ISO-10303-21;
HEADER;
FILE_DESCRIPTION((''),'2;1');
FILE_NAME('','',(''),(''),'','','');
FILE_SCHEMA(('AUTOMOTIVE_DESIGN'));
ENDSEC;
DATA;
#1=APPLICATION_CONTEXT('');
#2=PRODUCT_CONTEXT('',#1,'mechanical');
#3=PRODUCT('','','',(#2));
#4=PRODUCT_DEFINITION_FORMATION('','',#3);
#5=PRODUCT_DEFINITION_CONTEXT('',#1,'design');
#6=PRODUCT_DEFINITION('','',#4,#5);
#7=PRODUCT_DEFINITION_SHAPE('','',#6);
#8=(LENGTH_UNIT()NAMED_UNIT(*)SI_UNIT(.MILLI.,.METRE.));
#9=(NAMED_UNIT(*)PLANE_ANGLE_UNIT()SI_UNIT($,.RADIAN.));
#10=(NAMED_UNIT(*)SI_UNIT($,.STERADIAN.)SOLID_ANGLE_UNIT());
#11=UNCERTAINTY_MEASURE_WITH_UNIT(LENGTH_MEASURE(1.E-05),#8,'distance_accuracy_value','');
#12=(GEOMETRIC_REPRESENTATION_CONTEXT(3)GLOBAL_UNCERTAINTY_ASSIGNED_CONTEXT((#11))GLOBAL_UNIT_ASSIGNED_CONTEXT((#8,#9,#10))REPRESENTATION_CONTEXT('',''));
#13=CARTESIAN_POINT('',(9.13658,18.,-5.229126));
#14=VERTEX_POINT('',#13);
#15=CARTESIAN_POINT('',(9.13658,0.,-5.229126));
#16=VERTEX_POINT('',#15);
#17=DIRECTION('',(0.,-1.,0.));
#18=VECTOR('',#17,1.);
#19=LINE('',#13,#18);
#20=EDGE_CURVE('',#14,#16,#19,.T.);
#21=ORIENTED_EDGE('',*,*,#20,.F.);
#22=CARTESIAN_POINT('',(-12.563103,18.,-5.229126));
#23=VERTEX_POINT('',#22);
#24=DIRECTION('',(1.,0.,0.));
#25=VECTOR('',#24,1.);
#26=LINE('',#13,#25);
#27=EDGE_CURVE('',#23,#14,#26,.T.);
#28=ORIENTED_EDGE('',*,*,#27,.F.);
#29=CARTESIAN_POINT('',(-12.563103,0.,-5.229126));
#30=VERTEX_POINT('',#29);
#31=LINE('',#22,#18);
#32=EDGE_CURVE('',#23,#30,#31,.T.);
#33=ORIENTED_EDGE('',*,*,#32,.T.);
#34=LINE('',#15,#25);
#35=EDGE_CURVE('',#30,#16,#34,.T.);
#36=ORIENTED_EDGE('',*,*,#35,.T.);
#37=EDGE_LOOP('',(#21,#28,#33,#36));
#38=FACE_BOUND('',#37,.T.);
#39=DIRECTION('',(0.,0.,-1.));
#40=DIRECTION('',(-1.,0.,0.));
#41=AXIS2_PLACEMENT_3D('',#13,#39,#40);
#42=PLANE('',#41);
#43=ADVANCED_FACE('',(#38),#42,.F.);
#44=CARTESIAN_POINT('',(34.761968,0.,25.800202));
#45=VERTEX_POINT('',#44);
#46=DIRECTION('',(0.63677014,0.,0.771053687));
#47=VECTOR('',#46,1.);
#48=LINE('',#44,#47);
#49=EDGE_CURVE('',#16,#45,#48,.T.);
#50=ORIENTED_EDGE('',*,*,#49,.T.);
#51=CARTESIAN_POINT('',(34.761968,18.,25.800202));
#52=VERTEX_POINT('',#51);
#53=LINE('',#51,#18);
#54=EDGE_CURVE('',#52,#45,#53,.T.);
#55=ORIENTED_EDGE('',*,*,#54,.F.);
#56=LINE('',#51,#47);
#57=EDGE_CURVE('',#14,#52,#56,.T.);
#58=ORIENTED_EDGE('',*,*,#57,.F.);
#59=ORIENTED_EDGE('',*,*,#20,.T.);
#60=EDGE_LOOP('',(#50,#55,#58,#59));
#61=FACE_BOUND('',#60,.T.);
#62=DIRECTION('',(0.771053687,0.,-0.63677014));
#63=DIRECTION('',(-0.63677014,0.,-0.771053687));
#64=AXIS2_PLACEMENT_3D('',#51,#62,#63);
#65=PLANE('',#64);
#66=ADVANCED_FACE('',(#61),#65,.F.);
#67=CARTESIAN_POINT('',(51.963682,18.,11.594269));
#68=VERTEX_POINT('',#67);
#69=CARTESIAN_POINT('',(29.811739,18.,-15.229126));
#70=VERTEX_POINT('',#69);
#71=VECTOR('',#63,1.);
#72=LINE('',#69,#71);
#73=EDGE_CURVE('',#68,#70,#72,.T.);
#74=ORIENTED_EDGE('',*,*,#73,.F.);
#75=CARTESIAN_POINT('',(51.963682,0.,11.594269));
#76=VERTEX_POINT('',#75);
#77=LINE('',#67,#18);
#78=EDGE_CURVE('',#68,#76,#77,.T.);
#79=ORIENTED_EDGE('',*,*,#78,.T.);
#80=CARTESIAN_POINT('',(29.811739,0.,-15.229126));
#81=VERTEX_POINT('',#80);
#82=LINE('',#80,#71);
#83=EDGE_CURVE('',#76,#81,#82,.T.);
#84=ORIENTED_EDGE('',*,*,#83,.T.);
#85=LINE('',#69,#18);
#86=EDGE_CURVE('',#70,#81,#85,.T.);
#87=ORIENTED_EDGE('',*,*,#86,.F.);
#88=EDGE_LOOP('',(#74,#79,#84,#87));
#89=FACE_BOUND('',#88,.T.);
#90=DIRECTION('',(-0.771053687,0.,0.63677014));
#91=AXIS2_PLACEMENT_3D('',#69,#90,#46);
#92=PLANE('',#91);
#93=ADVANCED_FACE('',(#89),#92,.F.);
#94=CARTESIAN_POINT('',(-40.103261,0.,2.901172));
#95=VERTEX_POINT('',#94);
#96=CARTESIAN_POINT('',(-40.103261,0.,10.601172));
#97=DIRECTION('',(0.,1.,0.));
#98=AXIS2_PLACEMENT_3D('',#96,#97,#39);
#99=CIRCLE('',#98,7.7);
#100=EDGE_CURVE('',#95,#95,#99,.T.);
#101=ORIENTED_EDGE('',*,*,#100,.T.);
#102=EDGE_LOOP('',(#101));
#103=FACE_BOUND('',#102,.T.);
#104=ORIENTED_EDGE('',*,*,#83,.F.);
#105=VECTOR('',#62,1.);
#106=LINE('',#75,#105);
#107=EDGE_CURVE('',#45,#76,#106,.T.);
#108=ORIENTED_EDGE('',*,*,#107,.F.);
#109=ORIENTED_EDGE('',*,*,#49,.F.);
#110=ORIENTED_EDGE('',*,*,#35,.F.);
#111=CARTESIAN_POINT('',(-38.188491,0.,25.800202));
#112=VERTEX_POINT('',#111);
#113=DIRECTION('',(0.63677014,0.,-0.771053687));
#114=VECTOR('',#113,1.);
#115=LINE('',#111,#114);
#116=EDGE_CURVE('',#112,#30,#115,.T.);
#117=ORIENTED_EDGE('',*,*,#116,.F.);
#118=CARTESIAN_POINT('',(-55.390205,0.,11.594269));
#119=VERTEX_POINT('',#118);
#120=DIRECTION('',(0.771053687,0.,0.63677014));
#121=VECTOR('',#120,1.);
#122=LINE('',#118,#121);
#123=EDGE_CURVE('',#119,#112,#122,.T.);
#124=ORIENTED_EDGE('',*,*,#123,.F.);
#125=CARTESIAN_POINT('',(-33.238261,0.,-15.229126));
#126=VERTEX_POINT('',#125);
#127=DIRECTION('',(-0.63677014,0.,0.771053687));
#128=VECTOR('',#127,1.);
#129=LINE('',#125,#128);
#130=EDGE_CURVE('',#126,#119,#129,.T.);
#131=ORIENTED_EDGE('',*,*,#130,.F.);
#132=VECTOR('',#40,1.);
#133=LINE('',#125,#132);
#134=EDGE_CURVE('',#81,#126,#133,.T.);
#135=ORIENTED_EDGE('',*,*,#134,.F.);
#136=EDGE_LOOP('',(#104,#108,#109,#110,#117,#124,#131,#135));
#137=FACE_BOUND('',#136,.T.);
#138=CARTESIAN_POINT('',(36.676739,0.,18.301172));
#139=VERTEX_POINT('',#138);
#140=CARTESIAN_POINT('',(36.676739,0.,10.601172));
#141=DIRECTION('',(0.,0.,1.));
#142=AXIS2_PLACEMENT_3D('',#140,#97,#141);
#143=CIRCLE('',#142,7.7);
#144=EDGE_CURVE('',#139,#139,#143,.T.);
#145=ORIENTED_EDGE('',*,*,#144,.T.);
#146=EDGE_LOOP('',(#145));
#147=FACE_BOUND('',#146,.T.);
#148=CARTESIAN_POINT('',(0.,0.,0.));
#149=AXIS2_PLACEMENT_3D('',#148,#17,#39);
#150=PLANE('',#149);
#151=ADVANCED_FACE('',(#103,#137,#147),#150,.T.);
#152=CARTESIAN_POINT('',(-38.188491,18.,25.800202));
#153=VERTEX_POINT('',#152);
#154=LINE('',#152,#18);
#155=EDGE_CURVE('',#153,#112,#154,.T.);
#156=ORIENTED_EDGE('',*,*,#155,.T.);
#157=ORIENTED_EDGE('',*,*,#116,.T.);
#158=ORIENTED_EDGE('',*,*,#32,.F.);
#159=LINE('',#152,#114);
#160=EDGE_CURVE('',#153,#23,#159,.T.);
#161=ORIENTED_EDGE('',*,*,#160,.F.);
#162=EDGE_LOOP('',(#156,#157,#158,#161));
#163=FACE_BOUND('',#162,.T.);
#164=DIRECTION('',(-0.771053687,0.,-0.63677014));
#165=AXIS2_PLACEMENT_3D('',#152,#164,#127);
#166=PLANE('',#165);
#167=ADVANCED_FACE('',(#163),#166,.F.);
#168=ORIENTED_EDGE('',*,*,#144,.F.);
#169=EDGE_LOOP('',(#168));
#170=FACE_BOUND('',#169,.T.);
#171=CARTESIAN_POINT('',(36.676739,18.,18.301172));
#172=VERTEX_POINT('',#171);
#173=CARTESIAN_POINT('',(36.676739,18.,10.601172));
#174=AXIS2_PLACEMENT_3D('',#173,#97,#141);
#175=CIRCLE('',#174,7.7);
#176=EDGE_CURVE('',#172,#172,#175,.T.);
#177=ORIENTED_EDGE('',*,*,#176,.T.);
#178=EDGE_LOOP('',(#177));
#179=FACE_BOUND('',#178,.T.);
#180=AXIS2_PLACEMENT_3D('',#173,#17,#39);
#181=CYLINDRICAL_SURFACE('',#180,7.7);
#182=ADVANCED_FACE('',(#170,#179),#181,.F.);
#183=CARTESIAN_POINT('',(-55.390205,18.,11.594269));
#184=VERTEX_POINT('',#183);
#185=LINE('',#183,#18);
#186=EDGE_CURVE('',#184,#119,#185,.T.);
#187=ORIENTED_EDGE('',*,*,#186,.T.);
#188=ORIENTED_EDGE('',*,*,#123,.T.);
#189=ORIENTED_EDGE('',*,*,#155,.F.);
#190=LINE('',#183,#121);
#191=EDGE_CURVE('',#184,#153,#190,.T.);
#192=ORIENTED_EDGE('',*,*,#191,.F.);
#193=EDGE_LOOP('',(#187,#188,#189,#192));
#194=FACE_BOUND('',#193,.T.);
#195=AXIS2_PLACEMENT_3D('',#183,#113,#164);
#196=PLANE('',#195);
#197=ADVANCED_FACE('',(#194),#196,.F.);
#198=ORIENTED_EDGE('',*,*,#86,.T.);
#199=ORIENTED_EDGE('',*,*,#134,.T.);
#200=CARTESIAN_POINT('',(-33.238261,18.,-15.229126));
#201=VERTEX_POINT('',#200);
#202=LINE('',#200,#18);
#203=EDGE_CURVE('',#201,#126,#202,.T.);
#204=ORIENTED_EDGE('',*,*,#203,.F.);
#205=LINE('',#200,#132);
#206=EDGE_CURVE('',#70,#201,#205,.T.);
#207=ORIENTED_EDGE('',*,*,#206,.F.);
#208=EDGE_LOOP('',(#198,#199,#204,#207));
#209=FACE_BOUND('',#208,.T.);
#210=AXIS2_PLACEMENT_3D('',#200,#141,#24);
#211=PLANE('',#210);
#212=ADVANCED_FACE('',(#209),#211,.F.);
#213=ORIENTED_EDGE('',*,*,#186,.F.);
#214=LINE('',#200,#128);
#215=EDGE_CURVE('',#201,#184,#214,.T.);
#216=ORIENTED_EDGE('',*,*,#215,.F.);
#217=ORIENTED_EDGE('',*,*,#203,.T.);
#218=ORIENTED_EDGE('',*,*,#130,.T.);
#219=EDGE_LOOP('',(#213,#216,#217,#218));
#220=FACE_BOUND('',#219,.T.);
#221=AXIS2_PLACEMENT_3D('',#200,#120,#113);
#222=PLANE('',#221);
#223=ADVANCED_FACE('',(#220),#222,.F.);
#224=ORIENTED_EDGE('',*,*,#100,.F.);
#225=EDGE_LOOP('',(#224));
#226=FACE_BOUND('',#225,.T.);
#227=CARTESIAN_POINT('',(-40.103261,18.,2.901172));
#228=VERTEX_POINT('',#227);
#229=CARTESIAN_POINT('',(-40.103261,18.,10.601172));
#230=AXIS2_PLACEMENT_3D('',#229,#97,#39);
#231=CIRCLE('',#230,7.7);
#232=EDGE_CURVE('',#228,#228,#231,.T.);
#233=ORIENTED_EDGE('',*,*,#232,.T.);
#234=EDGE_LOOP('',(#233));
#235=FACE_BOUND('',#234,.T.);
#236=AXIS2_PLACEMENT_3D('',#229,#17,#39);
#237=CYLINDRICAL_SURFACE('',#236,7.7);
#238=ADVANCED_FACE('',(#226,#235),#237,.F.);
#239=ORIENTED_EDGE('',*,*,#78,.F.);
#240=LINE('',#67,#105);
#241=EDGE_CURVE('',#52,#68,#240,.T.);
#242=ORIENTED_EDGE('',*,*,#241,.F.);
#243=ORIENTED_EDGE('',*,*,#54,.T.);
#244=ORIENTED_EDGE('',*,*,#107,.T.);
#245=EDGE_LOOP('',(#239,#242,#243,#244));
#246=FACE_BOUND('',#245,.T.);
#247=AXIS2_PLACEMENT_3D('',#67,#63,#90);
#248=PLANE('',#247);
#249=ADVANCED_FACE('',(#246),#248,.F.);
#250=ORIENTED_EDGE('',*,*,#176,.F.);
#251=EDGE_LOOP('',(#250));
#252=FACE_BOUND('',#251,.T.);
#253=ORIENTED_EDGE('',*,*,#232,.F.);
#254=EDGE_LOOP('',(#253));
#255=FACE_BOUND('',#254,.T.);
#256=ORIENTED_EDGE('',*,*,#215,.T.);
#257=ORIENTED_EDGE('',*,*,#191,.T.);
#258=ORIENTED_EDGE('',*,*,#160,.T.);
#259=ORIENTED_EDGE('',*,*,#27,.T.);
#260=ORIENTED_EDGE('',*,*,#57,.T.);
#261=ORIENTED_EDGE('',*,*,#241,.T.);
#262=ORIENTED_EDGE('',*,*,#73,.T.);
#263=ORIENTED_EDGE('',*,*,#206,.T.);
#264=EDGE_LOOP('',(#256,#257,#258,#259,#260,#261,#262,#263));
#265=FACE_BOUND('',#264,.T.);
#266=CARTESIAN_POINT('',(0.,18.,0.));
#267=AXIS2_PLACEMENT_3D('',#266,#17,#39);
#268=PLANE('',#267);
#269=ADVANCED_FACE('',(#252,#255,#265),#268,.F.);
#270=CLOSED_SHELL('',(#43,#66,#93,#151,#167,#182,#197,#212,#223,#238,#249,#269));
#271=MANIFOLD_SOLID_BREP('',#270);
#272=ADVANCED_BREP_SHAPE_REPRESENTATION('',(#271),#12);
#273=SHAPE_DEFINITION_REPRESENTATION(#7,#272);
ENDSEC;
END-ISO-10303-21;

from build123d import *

# Parameters (mm, degrees)
SKETCH8_R           = 7.7
BOSS_EXTRUDE4_DEPTH = 18


with BuildPart() as part:
    # Sketch8 → Boss-Extrude4 (new body)
    with BuildSketch(Plane(origin=(0, 0, 0), x_dir=(1, 0, 0), z_dir=(0, 1, 0))):
        Polygon((-33.238261498, 15.229126464), (29.811738502, 15.229126464), (51.963681539, -11.5942691), (34.761968411, -25.80020244), (9.13658013, 5.229126464), (-12.563103125, 5.229126464), (-38.188491406, -25.80020244), (-55.390204534, -11.5942691), align=None)
        with Locations((36.676738502, -10.601172055)):
            Circle(SKETCH8_R, mode=Mode.SUBTRACT)
        with Locations((-40.103261498, -10.601172055)):
            Circle(SKETCH8_R, mode=Mode.SUBTRACT)
    extrude(amount=BOSS_EXTRUDE4_DEPTH)


solid = part.part
